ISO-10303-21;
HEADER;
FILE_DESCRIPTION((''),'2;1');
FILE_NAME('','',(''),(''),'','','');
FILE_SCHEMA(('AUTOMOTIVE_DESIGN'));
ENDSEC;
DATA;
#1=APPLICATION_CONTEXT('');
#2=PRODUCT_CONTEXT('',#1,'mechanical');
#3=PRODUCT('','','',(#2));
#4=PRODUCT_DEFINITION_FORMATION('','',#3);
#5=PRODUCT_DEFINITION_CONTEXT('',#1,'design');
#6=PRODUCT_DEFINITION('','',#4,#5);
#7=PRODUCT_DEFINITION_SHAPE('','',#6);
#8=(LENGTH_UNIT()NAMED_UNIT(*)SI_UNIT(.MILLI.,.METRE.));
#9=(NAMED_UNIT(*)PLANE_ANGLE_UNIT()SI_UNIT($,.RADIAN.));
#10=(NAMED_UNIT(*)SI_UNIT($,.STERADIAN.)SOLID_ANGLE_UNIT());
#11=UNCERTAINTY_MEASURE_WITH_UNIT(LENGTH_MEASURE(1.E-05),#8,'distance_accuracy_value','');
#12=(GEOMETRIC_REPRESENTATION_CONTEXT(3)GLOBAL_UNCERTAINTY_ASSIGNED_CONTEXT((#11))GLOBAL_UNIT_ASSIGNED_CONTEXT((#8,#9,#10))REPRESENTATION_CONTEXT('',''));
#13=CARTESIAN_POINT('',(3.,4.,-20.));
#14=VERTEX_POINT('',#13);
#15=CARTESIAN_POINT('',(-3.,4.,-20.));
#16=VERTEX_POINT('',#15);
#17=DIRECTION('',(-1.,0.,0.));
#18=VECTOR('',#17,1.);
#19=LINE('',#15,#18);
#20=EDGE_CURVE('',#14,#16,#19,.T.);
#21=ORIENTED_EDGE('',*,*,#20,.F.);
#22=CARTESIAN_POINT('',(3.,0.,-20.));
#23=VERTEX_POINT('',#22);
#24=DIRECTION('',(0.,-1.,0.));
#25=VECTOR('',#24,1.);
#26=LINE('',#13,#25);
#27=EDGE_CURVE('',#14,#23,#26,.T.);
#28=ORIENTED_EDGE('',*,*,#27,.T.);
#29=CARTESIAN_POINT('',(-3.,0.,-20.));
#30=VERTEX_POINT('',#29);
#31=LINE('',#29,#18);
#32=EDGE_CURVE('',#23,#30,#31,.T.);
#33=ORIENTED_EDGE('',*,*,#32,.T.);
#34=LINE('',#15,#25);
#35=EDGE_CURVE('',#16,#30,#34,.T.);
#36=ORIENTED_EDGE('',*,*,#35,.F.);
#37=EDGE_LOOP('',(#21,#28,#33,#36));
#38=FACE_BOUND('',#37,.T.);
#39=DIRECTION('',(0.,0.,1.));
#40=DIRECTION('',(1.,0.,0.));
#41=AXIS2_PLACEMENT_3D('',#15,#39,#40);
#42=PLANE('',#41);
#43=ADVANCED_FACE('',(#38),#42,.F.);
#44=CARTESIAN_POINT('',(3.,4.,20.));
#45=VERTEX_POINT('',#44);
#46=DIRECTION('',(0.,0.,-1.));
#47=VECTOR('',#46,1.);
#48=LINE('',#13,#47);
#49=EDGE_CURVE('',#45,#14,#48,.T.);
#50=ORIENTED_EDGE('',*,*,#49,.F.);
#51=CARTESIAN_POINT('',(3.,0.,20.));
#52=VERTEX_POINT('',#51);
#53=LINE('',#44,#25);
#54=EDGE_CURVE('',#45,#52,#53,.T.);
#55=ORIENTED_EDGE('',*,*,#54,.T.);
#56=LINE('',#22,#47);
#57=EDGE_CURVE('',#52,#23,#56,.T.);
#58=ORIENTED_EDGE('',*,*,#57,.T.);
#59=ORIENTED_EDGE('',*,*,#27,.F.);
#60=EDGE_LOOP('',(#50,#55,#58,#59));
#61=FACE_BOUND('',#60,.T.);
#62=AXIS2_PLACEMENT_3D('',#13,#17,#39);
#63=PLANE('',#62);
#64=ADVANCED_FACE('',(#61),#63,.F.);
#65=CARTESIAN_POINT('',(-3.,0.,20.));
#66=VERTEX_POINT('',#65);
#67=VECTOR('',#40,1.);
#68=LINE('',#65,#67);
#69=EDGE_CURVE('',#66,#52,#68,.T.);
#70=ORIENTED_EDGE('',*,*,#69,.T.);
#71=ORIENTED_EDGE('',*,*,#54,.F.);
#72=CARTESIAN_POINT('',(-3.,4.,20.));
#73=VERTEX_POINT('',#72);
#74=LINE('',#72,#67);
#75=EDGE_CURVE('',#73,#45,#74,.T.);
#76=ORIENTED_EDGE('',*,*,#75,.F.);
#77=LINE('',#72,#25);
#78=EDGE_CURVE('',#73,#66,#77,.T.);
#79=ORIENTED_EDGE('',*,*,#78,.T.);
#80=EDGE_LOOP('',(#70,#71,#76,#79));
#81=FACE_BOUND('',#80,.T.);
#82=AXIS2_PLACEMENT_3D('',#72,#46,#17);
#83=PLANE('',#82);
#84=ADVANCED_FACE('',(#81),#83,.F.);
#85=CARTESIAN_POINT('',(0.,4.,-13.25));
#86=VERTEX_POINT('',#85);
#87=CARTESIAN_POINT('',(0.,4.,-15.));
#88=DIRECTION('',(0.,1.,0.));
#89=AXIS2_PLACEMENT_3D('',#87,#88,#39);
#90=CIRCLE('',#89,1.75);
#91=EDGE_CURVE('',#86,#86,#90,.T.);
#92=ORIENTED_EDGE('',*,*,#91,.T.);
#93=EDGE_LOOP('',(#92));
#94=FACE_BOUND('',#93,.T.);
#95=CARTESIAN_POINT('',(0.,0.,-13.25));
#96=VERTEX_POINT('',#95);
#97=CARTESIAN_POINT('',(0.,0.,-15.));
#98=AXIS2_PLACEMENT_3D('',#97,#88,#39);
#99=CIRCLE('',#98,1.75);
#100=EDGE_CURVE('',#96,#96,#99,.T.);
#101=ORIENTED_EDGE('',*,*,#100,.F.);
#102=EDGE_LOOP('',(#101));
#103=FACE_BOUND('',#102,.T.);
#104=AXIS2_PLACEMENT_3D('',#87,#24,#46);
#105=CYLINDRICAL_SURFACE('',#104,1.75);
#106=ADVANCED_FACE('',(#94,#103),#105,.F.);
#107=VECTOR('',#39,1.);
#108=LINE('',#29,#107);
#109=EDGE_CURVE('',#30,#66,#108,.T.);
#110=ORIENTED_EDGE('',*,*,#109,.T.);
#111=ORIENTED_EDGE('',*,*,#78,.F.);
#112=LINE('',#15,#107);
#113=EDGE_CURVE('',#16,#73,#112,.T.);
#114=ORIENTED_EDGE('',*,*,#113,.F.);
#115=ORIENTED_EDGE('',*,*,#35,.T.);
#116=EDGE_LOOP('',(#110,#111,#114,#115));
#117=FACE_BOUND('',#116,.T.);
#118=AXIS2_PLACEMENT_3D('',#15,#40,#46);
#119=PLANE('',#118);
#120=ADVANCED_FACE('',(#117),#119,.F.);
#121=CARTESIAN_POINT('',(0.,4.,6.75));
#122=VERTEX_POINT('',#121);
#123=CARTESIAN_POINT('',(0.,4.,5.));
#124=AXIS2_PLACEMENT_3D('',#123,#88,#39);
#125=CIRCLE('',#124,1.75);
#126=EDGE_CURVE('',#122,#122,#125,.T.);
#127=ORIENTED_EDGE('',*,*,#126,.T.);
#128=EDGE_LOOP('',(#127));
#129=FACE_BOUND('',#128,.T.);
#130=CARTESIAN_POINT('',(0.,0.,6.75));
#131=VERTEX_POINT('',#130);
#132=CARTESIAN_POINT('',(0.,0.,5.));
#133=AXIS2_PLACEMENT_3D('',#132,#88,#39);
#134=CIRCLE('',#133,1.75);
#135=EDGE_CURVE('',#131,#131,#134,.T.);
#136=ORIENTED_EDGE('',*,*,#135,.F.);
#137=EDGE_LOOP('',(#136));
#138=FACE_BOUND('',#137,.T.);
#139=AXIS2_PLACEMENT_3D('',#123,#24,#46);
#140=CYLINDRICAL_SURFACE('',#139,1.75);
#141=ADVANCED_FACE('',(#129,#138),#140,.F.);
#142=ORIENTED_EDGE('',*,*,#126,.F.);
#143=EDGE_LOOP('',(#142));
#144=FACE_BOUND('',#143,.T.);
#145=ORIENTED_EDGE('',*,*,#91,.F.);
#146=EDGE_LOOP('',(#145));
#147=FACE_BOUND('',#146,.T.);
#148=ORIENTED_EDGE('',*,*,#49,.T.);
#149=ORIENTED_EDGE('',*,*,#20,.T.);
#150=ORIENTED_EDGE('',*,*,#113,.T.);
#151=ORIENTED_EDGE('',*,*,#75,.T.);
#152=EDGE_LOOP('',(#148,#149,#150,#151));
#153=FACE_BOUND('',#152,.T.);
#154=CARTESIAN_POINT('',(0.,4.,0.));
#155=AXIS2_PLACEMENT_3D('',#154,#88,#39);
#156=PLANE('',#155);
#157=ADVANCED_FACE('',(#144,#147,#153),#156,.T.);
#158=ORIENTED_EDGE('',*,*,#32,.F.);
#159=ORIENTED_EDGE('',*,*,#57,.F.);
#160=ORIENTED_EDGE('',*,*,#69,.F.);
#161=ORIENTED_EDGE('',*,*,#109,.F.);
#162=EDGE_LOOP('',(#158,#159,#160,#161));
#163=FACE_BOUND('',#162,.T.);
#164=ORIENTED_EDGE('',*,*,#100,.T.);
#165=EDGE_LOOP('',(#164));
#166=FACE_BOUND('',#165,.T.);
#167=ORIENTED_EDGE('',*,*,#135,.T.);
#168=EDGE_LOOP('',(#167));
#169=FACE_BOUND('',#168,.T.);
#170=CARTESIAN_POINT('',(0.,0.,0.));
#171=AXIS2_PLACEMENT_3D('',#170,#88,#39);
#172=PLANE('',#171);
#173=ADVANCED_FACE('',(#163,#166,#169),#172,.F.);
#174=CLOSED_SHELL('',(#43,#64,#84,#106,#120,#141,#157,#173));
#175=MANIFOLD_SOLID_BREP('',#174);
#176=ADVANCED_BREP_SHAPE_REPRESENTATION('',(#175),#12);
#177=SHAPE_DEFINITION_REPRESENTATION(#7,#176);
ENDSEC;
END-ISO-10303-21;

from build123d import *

# Parameters (mm, degrees)
SKETCH_1_W      = 6
SKETCH_1_H      = 40
SKETCH_1_R      = 1.75
EXTRUDE_1_DEPTH = 4


with BuildPart() as part:
    # 草图1 → 凸台-拉伸1 (new body)
    with BuildSketch(Plane(origin=(0, 0, 0), x_dir=(1, 0, 0), z_dir=(0, 1, 0))):
        Rectangle(SKETCH_1_W, SKETCH_1_H)
        with Locations(Location((0, 15, 0), (0, 0, 270))):
            Circle(SKETCH_1_R, mode=Mode.SUBTRACT)
        with Locations(Location((0, -5, 0), (0, 0, 270))):
            Circle(SKETCH_1_R, mode=Mode.SUBTRACT)
    extrude(amount=EXTRUDE_1_DEPTH)


solid = part.part
